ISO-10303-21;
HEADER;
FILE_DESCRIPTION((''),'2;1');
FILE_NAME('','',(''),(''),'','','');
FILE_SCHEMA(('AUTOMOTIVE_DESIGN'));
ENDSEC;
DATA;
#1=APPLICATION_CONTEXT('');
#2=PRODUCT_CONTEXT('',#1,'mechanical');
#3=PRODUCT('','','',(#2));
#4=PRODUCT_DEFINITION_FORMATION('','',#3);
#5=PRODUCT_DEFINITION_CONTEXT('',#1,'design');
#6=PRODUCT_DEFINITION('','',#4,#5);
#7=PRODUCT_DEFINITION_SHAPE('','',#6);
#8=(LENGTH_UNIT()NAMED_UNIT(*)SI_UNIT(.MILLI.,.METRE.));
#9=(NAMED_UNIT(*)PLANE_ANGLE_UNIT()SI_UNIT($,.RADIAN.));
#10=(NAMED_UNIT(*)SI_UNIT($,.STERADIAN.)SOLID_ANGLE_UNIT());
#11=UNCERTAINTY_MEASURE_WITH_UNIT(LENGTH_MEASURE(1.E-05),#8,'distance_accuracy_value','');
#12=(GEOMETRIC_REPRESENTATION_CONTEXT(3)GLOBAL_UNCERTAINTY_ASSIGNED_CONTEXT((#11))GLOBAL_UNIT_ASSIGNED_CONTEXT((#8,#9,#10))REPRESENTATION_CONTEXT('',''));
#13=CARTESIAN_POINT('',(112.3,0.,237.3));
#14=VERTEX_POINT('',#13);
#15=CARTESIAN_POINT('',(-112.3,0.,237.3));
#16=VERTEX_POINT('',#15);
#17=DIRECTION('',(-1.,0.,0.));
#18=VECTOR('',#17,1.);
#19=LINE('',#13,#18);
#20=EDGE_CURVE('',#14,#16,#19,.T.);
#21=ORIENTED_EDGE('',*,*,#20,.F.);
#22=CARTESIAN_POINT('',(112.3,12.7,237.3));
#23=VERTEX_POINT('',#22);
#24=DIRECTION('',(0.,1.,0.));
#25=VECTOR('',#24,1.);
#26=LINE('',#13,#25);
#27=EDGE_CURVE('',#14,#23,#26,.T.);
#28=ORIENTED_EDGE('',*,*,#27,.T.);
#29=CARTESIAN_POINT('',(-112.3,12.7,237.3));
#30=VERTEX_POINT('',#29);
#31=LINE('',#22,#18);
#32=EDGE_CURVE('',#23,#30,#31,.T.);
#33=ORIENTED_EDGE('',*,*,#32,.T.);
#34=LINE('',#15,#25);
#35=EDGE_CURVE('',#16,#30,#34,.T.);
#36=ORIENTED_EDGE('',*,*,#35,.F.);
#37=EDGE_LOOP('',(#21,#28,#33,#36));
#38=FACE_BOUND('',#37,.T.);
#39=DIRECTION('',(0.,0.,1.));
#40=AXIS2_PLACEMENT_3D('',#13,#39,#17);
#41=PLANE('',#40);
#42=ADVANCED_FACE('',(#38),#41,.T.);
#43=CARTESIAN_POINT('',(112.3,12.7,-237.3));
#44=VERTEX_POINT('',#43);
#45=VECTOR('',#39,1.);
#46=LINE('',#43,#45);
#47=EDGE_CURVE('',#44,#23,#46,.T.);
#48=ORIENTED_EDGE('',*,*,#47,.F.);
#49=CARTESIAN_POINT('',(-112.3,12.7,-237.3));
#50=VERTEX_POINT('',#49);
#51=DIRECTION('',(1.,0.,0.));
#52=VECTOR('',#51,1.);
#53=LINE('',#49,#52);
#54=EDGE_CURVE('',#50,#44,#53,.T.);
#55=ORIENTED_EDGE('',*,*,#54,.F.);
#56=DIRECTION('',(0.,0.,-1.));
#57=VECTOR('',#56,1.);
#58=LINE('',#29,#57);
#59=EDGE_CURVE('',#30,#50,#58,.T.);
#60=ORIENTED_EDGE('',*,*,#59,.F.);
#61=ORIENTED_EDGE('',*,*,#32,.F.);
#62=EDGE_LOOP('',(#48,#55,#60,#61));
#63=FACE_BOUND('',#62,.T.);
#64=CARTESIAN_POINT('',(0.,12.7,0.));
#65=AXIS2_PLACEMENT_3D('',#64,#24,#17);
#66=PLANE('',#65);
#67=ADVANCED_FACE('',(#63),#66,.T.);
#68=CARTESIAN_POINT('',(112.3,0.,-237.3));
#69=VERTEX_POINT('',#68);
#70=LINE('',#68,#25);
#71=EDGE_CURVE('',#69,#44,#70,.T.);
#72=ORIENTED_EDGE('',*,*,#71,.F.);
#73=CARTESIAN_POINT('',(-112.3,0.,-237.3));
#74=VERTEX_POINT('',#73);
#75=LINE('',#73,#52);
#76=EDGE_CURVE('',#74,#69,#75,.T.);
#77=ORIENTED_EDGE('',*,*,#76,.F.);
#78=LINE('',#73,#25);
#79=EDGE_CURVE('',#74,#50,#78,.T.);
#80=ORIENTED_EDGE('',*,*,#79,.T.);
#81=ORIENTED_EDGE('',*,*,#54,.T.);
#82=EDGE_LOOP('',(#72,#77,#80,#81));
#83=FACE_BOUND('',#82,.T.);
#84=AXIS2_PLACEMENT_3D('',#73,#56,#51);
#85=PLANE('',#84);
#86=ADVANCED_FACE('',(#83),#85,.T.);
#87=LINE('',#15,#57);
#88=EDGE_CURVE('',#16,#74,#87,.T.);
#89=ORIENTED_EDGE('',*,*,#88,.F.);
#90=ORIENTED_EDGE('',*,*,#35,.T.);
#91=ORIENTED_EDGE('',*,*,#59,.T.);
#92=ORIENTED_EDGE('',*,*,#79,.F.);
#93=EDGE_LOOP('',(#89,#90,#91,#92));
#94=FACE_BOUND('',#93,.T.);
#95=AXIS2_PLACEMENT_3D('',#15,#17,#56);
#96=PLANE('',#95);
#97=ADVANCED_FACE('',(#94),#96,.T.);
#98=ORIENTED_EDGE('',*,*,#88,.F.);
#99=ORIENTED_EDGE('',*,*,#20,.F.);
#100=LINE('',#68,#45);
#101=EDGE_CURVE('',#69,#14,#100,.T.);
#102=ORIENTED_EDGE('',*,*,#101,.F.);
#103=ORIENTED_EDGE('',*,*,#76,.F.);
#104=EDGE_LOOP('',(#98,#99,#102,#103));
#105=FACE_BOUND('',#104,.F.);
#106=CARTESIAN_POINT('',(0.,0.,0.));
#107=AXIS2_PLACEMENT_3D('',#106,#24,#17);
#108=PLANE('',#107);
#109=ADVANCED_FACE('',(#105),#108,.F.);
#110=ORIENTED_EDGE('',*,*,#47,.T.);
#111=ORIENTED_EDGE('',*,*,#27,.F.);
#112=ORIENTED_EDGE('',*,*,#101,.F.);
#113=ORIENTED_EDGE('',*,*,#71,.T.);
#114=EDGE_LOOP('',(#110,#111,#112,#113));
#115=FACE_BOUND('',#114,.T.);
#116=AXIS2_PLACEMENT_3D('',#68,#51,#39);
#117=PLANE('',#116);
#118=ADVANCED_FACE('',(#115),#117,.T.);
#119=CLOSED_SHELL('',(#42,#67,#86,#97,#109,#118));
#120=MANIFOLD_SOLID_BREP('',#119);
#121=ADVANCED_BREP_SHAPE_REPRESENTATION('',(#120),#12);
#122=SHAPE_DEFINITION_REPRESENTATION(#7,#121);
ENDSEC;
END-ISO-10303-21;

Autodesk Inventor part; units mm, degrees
ref_plane "YZ Plane" through (0, 0, 0) normal (1, 0, 0) x (0, 1, 0)
ref_plane "XZ Plane" through (0, 0, 0) normal (0, 1, 0) x (-1, 0, 0)
ref_plane "XY Plane" through (0, 0, 0) normal (0, 0, 1) x (1, 0, 0)
sketch "Sketch1" plane through (0, 0, 0) normal (0, 1, 0) x (-1, 0, 0)
  line L0 (-112.3, 237.3) -> (112.3, 237.3)
  line L1 (112.3, 237.3) -> (112.3, -237.3)
  line L2 (112.3, -237.3) -> (-112.3, -237.3)
  line L3 (-112.3, -237.3) -> (-112.3, 237.3)
  line L4 (-112.3, 237.3) -> (112.3, -237.3) construction
  line L5 (112.3, 237.3) -> (-112.3, -237.3) construction
  point P0 (0, 0)
  dimension "Width" = 224.6
  dimension "lenght" = 474.6
extrude "Extrusion1" add sketch "Sketch1" along normal blind 12.7
properties part number "Creat Buttom-01" material "Wood (Maple)"
